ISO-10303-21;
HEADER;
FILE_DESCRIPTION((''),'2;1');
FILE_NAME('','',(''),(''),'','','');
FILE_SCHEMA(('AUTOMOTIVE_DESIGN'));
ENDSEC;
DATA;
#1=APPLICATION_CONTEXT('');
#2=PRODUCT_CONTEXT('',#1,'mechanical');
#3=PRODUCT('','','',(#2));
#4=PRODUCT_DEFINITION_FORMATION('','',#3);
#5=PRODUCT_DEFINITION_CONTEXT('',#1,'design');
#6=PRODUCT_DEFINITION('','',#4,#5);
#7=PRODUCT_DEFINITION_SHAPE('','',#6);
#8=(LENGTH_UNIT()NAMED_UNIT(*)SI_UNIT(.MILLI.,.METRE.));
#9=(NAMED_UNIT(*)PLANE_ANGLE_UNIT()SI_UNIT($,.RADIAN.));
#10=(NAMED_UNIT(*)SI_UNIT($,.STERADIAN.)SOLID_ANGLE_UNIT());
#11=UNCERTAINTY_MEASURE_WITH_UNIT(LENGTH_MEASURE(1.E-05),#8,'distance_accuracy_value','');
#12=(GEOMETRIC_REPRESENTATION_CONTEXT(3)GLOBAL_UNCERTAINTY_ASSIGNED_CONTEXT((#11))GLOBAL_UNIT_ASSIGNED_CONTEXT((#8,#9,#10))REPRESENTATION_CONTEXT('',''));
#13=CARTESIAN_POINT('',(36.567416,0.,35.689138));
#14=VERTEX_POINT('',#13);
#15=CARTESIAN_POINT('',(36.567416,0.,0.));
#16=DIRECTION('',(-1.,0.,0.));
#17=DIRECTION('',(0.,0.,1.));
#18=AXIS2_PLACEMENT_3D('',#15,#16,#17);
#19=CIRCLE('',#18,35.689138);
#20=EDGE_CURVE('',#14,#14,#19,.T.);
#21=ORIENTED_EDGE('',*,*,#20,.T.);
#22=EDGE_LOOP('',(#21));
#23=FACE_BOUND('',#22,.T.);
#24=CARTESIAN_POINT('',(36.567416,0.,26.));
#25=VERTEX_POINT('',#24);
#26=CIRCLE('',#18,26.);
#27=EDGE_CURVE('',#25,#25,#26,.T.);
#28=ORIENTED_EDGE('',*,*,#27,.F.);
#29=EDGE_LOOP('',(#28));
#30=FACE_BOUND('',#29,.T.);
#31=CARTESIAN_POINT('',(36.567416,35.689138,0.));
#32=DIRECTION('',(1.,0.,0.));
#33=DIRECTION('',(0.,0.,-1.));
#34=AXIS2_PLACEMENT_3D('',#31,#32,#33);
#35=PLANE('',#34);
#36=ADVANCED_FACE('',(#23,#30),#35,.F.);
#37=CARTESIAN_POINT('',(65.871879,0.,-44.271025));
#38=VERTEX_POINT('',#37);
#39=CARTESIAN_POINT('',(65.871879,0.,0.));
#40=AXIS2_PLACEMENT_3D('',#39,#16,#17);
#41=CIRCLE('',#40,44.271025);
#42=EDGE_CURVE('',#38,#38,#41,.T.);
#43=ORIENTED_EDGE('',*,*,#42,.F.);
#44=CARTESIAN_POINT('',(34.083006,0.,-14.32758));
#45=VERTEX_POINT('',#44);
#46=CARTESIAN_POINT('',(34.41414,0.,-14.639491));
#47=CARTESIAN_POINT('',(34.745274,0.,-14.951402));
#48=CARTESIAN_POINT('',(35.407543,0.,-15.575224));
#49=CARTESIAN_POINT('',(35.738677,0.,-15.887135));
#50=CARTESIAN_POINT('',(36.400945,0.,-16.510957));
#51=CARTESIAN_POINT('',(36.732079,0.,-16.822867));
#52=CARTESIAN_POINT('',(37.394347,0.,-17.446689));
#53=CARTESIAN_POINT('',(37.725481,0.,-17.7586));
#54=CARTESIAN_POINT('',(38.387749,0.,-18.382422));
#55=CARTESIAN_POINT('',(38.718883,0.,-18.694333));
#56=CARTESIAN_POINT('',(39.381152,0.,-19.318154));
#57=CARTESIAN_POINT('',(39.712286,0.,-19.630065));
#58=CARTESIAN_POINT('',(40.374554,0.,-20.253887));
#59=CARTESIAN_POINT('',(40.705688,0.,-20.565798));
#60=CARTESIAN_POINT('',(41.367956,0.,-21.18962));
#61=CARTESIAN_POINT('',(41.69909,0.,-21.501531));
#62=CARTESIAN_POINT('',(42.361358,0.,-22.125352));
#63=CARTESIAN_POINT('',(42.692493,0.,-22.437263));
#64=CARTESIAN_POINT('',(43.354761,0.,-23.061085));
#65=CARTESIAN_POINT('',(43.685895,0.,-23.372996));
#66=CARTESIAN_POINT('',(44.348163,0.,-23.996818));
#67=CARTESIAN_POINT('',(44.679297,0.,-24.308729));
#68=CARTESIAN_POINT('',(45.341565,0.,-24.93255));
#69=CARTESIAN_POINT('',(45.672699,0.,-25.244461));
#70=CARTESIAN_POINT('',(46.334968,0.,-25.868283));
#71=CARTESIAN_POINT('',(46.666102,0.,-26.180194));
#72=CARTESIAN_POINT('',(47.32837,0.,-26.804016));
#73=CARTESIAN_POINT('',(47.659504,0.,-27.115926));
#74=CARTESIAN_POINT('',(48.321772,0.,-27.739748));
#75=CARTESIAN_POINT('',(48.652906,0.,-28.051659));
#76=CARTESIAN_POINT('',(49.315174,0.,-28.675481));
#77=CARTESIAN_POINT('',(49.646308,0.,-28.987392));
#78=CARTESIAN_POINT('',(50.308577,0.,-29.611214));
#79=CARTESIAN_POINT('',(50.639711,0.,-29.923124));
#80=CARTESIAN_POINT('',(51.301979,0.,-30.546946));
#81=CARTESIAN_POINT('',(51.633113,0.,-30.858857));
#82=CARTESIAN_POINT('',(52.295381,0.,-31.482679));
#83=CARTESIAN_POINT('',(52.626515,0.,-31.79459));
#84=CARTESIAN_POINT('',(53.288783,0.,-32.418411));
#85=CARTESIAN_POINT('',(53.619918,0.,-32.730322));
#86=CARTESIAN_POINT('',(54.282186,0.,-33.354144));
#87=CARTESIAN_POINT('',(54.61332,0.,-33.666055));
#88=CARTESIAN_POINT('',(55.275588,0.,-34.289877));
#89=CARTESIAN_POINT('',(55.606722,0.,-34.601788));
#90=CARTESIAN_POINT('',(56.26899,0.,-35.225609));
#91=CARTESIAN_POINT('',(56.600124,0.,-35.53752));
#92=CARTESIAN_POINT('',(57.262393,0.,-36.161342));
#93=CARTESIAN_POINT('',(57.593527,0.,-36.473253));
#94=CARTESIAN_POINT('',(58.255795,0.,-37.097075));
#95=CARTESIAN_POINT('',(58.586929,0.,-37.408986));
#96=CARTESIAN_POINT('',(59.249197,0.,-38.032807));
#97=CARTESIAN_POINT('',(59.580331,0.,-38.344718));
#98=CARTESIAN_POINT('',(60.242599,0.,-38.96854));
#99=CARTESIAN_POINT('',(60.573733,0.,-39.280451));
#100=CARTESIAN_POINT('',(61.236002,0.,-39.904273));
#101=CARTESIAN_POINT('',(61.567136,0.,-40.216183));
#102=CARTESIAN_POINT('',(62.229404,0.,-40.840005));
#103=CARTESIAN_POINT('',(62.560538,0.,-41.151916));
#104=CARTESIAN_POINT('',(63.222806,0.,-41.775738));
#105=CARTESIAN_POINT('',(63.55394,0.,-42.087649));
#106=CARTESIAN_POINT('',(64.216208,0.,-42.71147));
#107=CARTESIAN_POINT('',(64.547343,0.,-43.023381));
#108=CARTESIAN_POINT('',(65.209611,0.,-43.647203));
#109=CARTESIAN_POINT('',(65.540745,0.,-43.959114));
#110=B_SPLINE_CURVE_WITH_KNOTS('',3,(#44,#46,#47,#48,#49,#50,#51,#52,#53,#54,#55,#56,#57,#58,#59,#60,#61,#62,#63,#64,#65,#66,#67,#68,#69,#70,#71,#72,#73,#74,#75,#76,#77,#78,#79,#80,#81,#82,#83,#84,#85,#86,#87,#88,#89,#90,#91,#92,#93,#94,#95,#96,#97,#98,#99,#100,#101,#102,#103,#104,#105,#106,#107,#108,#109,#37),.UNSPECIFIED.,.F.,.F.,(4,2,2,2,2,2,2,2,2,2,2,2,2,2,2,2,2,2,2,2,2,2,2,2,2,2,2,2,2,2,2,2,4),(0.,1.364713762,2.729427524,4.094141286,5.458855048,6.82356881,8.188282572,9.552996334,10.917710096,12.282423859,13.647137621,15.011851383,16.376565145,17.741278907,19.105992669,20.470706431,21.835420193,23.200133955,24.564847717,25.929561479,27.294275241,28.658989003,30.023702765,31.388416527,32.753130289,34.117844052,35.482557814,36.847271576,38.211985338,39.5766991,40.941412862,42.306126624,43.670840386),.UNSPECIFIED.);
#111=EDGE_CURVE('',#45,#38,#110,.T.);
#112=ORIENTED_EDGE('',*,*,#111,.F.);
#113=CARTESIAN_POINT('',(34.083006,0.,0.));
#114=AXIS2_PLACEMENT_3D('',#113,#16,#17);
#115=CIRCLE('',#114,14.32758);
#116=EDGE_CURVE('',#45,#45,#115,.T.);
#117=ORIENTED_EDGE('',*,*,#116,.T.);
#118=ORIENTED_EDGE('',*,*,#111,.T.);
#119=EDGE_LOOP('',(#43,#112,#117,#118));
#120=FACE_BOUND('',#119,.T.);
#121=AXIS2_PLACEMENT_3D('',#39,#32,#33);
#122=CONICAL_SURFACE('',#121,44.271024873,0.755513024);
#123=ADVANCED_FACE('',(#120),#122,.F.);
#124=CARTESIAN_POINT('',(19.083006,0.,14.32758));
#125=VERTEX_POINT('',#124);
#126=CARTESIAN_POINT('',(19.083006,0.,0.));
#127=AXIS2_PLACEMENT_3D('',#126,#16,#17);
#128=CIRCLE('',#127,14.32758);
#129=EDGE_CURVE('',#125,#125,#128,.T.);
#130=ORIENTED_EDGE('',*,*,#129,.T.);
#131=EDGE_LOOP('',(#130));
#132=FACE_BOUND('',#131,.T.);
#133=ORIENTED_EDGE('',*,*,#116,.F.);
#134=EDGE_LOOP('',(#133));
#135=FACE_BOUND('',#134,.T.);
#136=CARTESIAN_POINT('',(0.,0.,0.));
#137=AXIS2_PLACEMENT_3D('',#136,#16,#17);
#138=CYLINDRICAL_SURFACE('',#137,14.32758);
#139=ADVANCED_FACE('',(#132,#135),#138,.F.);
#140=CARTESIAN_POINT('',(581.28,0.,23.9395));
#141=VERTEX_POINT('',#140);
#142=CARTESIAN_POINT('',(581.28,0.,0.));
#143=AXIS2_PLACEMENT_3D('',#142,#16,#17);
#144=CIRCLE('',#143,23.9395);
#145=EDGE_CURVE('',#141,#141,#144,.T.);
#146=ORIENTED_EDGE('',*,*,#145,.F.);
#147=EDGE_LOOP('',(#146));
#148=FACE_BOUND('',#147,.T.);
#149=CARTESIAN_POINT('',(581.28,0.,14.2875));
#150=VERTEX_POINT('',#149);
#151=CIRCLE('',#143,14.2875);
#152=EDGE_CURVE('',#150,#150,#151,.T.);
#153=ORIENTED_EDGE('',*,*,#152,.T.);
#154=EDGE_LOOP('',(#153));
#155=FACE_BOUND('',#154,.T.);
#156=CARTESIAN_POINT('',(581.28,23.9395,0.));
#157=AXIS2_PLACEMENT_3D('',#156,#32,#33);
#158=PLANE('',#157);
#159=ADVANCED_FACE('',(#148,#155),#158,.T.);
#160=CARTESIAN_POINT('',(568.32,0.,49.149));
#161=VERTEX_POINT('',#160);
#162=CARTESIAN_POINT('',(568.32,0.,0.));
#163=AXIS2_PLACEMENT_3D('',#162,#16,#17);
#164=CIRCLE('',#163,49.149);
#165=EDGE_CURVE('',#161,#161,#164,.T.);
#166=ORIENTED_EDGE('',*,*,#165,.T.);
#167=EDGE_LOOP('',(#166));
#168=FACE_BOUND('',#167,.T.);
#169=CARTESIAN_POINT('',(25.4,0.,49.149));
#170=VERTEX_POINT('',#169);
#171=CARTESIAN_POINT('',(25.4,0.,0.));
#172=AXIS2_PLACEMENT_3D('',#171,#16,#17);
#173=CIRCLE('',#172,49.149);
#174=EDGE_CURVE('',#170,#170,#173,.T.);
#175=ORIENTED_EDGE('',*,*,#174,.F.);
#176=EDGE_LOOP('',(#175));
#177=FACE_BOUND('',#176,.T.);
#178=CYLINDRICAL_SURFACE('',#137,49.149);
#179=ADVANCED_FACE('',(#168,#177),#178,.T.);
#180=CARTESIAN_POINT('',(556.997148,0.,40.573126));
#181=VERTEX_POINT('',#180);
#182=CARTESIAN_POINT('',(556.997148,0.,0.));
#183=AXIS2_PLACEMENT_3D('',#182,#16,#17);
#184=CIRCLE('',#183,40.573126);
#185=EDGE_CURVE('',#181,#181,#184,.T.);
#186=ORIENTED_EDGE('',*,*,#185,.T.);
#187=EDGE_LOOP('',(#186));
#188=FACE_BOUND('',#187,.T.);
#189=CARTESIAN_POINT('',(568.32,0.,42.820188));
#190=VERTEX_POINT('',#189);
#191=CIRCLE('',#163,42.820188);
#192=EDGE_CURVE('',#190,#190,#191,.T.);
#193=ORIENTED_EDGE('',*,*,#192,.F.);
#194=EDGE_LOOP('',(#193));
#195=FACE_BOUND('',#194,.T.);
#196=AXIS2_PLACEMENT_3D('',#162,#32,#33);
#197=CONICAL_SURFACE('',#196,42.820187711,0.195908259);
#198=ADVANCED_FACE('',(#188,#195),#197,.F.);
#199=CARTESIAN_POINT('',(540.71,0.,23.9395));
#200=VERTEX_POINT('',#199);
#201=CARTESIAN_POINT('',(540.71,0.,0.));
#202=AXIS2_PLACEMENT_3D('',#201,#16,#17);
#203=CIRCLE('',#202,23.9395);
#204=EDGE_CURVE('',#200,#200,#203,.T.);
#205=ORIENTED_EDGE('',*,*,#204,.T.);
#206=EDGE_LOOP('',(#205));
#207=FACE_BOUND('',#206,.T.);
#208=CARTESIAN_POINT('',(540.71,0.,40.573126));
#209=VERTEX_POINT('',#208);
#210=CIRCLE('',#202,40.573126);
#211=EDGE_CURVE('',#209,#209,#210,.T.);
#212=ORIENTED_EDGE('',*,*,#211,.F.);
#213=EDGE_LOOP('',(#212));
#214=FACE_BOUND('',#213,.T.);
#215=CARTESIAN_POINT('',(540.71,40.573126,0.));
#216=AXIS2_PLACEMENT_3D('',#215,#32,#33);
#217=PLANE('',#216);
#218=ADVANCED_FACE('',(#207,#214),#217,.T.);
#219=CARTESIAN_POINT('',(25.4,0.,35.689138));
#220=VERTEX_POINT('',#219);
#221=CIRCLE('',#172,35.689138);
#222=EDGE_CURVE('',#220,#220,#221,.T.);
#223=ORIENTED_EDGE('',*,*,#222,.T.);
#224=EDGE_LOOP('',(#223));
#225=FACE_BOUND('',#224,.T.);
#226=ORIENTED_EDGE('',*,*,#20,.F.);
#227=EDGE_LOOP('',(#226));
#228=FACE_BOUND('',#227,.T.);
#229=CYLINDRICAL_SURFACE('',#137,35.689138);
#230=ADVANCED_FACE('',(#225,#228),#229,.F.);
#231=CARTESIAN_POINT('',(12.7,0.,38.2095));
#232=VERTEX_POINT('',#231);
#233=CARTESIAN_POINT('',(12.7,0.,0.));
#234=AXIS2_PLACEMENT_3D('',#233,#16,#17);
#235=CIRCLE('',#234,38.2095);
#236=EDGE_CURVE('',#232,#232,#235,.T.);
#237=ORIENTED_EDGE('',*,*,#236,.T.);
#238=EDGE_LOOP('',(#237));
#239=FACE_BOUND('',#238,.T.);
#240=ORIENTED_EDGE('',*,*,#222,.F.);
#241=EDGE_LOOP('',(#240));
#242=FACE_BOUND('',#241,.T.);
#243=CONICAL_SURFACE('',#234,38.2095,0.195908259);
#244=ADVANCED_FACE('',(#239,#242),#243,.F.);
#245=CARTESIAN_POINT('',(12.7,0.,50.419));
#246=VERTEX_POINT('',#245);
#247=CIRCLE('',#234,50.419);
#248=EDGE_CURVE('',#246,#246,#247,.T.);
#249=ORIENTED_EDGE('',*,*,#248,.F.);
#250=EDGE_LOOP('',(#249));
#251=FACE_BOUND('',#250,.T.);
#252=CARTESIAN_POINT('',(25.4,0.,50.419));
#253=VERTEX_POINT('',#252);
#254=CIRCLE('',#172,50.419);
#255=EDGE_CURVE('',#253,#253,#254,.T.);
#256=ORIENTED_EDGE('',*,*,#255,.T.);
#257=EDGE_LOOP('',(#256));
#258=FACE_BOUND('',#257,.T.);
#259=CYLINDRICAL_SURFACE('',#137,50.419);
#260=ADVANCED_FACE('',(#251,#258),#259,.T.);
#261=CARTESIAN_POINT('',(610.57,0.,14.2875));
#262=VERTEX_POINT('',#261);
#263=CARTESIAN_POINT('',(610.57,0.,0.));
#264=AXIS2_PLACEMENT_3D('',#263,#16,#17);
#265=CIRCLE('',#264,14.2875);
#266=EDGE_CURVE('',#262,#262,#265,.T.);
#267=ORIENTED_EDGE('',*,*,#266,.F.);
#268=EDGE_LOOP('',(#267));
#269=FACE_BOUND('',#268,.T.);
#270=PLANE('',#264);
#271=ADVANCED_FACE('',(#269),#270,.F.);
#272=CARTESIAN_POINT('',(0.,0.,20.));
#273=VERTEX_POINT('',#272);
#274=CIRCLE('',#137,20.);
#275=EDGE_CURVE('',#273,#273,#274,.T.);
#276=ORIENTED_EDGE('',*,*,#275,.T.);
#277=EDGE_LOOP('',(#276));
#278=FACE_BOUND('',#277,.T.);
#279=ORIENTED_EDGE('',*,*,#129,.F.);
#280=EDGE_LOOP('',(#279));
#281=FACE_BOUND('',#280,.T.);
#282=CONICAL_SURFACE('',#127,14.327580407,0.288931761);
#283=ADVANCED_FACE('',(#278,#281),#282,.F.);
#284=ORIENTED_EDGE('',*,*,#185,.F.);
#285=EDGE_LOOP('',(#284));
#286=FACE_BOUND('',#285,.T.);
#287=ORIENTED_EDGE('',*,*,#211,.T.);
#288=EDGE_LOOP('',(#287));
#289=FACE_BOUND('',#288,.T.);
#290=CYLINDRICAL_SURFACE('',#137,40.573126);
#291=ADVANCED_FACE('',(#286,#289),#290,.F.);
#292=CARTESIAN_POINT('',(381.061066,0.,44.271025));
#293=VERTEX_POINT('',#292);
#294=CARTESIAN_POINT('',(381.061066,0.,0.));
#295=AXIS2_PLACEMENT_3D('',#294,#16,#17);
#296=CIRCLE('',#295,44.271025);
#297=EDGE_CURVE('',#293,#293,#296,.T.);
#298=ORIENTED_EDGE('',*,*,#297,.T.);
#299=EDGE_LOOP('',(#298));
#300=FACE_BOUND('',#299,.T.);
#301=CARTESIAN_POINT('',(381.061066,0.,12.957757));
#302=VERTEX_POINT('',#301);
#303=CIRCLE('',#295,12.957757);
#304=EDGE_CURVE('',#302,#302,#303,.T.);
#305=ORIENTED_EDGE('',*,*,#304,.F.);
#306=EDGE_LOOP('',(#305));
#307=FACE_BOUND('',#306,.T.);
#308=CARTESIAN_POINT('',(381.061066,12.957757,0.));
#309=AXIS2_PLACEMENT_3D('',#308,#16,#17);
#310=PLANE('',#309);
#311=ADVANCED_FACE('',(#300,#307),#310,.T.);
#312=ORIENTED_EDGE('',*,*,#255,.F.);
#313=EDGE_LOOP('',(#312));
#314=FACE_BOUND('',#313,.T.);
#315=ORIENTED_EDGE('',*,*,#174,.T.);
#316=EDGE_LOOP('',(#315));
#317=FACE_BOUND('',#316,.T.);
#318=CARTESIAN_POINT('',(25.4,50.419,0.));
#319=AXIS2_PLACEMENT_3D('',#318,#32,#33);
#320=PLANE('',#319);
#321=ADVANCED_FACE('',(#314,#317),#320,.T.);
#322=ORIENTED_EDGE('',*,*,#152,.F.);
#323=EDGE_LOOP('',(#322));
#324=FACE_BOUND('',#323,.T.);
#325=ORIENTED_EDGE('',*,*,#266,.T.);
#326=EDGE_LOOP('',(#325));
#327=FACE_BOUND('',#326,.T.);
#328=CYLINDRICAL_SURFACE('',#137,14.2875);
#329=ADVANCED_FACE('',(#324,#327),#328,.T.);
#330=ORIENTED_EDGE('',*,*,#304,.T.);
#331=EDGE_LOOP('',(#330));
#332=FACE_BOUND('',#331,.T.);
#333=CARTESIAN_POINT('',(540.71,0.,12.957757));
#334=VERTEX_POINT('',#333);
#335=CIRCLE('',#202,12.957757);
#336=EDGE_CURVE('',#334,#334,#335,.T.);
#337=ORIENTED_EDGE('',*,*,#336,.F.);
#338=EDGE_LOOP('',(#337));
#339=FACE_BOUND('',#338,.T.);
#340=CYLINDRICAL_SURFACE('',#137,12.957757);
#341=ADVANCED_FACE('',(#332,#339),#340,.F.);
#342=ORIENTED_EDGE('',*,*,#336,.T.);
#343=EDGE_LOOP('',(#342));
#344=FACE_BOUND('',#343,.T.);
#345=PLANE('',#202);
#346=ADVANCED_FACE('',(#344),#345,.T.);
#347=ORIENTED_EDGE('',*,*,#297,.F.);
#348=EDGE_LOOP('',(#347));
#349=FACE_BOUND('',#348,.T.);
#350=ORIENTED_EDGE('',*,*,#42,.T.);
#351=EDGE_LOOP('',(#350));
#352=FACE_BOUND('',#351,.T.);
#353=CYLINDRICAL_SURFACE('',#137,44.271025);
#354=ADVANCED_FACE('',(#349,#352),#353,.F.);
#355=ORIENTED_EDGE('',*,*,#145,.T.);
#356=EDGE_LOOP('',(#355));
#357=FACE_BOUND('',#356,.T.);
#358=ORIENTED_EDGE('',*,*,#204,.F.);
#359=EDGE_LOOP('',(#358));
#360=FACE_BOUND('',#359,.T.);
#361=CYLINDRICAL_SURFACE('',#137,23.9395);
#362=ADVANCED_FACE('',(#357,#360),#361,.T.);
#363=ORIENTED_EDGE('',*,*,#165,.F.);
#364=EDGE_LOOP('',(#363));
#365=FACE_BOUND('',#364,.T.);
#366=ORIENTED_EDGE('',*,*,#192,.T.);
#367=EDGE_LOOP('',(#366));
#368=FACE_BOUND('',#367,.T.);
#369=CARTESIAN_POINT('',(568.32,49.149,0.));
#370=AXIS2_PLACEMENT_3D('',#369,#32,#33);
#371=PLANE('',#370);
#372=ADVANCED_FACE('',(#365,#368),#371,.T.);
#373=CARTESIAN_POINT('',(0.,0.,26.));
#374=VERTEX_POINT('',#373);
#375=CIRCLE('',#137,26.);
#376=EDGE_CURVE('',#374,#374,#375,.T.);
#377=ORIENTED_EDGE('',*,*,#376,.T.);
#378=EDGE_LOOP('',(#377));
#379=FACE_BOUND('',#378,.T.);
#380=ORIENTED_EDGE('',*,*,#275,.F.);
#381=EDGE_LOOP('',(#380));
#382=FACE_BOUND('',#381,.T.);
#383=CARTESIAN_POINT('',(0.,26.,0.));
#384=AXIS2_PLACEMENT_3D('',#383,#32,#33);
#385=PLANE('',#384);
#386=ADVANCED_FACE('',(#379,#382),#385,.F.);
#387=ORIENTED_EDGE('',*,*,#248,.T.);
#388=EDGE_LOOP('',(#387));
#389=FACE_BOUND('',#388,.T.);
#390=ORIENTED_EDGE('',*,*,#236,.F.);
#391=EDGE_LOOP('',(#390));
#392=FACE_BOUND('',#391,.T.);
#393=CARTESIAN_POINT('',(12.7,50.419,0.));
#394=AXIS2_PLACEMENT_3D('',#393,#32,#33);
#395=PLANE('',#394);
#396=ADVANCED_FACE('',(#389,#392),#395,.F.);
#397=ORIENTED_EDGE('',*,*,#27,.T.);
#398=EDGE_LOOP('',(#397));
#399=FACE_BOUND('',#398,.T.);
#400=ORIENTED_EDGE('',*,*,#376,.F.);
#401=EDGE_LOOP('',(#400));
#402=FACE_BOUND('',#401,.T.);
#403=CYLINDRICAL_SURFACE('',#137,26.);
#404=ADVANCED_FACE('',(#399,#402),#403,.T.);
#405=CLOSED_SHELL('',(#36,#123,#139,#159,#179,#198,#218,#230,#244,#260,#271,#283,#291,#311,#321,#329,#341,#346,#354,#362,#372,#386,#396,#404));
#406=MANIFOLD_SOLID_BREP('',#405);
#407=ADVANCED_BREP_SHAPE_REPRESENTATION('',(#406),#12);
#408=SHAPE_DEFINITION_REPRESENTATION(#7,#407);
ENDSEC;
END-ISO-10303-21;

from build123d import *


with BuildPart() as part:
    # Esquisse2 → Révolution7 (revolve)
    with BuildSketch(Plane.XY, mode=Mode.PRIVATE) as r_volution7_sk:
        Polygon((0, 26), (12.7, 26), (36.56741584, 26), (36.56741584, 35.689138439), (25.4, 35.689138439), (12.7, 38.2095), (12.7, 50.419), (25.4, 50.419), (25.4, 49.149), (568.32, 49.149), (568.32, 42.820187711), (556.99714835, 40.573126289), (540.71, 40.573126289), (540.71, 23.9395), (581.28, 23.9395), (581.28, 14.2875), (610.57, 14.2875), (610.57, 0), (0, 0), align=None)
    revolve(r_volution7_sk.sketch.rotate(Axis((0, 0, 0), (1, 0, 0)), 90), axis=Axis((0, 0, 0), (1, 0, 0)))

    # Esquisse3 → Enlèvement de matière-Révolution1 (revolve, cut)
    with BuildSketch(Plane.XY, mode=Mode.PRIVATE) as enl_vement_de_mati_re_r_volution1_sk:
        Polygon((0, 20), (0, 0), (540.71, 0), (540.71, 12.957757221), (381.061065959, 12.957757221), (381.061065959, 44.271024873), (65.871878934, 44.271024873), (34.08300614, 14.327580407), (19.08300614, 14.327580407), align=None)
    revolve(enl_vement_de_mati_re_r_volution1_sk.sketch.rotate(Axis((0, 0, 0), (1, 0, 0)), 90), axis=Axis((0, 0, 0), (1, 0, 0)), mode=Mode.SUBTRACT)


solid = part.part
